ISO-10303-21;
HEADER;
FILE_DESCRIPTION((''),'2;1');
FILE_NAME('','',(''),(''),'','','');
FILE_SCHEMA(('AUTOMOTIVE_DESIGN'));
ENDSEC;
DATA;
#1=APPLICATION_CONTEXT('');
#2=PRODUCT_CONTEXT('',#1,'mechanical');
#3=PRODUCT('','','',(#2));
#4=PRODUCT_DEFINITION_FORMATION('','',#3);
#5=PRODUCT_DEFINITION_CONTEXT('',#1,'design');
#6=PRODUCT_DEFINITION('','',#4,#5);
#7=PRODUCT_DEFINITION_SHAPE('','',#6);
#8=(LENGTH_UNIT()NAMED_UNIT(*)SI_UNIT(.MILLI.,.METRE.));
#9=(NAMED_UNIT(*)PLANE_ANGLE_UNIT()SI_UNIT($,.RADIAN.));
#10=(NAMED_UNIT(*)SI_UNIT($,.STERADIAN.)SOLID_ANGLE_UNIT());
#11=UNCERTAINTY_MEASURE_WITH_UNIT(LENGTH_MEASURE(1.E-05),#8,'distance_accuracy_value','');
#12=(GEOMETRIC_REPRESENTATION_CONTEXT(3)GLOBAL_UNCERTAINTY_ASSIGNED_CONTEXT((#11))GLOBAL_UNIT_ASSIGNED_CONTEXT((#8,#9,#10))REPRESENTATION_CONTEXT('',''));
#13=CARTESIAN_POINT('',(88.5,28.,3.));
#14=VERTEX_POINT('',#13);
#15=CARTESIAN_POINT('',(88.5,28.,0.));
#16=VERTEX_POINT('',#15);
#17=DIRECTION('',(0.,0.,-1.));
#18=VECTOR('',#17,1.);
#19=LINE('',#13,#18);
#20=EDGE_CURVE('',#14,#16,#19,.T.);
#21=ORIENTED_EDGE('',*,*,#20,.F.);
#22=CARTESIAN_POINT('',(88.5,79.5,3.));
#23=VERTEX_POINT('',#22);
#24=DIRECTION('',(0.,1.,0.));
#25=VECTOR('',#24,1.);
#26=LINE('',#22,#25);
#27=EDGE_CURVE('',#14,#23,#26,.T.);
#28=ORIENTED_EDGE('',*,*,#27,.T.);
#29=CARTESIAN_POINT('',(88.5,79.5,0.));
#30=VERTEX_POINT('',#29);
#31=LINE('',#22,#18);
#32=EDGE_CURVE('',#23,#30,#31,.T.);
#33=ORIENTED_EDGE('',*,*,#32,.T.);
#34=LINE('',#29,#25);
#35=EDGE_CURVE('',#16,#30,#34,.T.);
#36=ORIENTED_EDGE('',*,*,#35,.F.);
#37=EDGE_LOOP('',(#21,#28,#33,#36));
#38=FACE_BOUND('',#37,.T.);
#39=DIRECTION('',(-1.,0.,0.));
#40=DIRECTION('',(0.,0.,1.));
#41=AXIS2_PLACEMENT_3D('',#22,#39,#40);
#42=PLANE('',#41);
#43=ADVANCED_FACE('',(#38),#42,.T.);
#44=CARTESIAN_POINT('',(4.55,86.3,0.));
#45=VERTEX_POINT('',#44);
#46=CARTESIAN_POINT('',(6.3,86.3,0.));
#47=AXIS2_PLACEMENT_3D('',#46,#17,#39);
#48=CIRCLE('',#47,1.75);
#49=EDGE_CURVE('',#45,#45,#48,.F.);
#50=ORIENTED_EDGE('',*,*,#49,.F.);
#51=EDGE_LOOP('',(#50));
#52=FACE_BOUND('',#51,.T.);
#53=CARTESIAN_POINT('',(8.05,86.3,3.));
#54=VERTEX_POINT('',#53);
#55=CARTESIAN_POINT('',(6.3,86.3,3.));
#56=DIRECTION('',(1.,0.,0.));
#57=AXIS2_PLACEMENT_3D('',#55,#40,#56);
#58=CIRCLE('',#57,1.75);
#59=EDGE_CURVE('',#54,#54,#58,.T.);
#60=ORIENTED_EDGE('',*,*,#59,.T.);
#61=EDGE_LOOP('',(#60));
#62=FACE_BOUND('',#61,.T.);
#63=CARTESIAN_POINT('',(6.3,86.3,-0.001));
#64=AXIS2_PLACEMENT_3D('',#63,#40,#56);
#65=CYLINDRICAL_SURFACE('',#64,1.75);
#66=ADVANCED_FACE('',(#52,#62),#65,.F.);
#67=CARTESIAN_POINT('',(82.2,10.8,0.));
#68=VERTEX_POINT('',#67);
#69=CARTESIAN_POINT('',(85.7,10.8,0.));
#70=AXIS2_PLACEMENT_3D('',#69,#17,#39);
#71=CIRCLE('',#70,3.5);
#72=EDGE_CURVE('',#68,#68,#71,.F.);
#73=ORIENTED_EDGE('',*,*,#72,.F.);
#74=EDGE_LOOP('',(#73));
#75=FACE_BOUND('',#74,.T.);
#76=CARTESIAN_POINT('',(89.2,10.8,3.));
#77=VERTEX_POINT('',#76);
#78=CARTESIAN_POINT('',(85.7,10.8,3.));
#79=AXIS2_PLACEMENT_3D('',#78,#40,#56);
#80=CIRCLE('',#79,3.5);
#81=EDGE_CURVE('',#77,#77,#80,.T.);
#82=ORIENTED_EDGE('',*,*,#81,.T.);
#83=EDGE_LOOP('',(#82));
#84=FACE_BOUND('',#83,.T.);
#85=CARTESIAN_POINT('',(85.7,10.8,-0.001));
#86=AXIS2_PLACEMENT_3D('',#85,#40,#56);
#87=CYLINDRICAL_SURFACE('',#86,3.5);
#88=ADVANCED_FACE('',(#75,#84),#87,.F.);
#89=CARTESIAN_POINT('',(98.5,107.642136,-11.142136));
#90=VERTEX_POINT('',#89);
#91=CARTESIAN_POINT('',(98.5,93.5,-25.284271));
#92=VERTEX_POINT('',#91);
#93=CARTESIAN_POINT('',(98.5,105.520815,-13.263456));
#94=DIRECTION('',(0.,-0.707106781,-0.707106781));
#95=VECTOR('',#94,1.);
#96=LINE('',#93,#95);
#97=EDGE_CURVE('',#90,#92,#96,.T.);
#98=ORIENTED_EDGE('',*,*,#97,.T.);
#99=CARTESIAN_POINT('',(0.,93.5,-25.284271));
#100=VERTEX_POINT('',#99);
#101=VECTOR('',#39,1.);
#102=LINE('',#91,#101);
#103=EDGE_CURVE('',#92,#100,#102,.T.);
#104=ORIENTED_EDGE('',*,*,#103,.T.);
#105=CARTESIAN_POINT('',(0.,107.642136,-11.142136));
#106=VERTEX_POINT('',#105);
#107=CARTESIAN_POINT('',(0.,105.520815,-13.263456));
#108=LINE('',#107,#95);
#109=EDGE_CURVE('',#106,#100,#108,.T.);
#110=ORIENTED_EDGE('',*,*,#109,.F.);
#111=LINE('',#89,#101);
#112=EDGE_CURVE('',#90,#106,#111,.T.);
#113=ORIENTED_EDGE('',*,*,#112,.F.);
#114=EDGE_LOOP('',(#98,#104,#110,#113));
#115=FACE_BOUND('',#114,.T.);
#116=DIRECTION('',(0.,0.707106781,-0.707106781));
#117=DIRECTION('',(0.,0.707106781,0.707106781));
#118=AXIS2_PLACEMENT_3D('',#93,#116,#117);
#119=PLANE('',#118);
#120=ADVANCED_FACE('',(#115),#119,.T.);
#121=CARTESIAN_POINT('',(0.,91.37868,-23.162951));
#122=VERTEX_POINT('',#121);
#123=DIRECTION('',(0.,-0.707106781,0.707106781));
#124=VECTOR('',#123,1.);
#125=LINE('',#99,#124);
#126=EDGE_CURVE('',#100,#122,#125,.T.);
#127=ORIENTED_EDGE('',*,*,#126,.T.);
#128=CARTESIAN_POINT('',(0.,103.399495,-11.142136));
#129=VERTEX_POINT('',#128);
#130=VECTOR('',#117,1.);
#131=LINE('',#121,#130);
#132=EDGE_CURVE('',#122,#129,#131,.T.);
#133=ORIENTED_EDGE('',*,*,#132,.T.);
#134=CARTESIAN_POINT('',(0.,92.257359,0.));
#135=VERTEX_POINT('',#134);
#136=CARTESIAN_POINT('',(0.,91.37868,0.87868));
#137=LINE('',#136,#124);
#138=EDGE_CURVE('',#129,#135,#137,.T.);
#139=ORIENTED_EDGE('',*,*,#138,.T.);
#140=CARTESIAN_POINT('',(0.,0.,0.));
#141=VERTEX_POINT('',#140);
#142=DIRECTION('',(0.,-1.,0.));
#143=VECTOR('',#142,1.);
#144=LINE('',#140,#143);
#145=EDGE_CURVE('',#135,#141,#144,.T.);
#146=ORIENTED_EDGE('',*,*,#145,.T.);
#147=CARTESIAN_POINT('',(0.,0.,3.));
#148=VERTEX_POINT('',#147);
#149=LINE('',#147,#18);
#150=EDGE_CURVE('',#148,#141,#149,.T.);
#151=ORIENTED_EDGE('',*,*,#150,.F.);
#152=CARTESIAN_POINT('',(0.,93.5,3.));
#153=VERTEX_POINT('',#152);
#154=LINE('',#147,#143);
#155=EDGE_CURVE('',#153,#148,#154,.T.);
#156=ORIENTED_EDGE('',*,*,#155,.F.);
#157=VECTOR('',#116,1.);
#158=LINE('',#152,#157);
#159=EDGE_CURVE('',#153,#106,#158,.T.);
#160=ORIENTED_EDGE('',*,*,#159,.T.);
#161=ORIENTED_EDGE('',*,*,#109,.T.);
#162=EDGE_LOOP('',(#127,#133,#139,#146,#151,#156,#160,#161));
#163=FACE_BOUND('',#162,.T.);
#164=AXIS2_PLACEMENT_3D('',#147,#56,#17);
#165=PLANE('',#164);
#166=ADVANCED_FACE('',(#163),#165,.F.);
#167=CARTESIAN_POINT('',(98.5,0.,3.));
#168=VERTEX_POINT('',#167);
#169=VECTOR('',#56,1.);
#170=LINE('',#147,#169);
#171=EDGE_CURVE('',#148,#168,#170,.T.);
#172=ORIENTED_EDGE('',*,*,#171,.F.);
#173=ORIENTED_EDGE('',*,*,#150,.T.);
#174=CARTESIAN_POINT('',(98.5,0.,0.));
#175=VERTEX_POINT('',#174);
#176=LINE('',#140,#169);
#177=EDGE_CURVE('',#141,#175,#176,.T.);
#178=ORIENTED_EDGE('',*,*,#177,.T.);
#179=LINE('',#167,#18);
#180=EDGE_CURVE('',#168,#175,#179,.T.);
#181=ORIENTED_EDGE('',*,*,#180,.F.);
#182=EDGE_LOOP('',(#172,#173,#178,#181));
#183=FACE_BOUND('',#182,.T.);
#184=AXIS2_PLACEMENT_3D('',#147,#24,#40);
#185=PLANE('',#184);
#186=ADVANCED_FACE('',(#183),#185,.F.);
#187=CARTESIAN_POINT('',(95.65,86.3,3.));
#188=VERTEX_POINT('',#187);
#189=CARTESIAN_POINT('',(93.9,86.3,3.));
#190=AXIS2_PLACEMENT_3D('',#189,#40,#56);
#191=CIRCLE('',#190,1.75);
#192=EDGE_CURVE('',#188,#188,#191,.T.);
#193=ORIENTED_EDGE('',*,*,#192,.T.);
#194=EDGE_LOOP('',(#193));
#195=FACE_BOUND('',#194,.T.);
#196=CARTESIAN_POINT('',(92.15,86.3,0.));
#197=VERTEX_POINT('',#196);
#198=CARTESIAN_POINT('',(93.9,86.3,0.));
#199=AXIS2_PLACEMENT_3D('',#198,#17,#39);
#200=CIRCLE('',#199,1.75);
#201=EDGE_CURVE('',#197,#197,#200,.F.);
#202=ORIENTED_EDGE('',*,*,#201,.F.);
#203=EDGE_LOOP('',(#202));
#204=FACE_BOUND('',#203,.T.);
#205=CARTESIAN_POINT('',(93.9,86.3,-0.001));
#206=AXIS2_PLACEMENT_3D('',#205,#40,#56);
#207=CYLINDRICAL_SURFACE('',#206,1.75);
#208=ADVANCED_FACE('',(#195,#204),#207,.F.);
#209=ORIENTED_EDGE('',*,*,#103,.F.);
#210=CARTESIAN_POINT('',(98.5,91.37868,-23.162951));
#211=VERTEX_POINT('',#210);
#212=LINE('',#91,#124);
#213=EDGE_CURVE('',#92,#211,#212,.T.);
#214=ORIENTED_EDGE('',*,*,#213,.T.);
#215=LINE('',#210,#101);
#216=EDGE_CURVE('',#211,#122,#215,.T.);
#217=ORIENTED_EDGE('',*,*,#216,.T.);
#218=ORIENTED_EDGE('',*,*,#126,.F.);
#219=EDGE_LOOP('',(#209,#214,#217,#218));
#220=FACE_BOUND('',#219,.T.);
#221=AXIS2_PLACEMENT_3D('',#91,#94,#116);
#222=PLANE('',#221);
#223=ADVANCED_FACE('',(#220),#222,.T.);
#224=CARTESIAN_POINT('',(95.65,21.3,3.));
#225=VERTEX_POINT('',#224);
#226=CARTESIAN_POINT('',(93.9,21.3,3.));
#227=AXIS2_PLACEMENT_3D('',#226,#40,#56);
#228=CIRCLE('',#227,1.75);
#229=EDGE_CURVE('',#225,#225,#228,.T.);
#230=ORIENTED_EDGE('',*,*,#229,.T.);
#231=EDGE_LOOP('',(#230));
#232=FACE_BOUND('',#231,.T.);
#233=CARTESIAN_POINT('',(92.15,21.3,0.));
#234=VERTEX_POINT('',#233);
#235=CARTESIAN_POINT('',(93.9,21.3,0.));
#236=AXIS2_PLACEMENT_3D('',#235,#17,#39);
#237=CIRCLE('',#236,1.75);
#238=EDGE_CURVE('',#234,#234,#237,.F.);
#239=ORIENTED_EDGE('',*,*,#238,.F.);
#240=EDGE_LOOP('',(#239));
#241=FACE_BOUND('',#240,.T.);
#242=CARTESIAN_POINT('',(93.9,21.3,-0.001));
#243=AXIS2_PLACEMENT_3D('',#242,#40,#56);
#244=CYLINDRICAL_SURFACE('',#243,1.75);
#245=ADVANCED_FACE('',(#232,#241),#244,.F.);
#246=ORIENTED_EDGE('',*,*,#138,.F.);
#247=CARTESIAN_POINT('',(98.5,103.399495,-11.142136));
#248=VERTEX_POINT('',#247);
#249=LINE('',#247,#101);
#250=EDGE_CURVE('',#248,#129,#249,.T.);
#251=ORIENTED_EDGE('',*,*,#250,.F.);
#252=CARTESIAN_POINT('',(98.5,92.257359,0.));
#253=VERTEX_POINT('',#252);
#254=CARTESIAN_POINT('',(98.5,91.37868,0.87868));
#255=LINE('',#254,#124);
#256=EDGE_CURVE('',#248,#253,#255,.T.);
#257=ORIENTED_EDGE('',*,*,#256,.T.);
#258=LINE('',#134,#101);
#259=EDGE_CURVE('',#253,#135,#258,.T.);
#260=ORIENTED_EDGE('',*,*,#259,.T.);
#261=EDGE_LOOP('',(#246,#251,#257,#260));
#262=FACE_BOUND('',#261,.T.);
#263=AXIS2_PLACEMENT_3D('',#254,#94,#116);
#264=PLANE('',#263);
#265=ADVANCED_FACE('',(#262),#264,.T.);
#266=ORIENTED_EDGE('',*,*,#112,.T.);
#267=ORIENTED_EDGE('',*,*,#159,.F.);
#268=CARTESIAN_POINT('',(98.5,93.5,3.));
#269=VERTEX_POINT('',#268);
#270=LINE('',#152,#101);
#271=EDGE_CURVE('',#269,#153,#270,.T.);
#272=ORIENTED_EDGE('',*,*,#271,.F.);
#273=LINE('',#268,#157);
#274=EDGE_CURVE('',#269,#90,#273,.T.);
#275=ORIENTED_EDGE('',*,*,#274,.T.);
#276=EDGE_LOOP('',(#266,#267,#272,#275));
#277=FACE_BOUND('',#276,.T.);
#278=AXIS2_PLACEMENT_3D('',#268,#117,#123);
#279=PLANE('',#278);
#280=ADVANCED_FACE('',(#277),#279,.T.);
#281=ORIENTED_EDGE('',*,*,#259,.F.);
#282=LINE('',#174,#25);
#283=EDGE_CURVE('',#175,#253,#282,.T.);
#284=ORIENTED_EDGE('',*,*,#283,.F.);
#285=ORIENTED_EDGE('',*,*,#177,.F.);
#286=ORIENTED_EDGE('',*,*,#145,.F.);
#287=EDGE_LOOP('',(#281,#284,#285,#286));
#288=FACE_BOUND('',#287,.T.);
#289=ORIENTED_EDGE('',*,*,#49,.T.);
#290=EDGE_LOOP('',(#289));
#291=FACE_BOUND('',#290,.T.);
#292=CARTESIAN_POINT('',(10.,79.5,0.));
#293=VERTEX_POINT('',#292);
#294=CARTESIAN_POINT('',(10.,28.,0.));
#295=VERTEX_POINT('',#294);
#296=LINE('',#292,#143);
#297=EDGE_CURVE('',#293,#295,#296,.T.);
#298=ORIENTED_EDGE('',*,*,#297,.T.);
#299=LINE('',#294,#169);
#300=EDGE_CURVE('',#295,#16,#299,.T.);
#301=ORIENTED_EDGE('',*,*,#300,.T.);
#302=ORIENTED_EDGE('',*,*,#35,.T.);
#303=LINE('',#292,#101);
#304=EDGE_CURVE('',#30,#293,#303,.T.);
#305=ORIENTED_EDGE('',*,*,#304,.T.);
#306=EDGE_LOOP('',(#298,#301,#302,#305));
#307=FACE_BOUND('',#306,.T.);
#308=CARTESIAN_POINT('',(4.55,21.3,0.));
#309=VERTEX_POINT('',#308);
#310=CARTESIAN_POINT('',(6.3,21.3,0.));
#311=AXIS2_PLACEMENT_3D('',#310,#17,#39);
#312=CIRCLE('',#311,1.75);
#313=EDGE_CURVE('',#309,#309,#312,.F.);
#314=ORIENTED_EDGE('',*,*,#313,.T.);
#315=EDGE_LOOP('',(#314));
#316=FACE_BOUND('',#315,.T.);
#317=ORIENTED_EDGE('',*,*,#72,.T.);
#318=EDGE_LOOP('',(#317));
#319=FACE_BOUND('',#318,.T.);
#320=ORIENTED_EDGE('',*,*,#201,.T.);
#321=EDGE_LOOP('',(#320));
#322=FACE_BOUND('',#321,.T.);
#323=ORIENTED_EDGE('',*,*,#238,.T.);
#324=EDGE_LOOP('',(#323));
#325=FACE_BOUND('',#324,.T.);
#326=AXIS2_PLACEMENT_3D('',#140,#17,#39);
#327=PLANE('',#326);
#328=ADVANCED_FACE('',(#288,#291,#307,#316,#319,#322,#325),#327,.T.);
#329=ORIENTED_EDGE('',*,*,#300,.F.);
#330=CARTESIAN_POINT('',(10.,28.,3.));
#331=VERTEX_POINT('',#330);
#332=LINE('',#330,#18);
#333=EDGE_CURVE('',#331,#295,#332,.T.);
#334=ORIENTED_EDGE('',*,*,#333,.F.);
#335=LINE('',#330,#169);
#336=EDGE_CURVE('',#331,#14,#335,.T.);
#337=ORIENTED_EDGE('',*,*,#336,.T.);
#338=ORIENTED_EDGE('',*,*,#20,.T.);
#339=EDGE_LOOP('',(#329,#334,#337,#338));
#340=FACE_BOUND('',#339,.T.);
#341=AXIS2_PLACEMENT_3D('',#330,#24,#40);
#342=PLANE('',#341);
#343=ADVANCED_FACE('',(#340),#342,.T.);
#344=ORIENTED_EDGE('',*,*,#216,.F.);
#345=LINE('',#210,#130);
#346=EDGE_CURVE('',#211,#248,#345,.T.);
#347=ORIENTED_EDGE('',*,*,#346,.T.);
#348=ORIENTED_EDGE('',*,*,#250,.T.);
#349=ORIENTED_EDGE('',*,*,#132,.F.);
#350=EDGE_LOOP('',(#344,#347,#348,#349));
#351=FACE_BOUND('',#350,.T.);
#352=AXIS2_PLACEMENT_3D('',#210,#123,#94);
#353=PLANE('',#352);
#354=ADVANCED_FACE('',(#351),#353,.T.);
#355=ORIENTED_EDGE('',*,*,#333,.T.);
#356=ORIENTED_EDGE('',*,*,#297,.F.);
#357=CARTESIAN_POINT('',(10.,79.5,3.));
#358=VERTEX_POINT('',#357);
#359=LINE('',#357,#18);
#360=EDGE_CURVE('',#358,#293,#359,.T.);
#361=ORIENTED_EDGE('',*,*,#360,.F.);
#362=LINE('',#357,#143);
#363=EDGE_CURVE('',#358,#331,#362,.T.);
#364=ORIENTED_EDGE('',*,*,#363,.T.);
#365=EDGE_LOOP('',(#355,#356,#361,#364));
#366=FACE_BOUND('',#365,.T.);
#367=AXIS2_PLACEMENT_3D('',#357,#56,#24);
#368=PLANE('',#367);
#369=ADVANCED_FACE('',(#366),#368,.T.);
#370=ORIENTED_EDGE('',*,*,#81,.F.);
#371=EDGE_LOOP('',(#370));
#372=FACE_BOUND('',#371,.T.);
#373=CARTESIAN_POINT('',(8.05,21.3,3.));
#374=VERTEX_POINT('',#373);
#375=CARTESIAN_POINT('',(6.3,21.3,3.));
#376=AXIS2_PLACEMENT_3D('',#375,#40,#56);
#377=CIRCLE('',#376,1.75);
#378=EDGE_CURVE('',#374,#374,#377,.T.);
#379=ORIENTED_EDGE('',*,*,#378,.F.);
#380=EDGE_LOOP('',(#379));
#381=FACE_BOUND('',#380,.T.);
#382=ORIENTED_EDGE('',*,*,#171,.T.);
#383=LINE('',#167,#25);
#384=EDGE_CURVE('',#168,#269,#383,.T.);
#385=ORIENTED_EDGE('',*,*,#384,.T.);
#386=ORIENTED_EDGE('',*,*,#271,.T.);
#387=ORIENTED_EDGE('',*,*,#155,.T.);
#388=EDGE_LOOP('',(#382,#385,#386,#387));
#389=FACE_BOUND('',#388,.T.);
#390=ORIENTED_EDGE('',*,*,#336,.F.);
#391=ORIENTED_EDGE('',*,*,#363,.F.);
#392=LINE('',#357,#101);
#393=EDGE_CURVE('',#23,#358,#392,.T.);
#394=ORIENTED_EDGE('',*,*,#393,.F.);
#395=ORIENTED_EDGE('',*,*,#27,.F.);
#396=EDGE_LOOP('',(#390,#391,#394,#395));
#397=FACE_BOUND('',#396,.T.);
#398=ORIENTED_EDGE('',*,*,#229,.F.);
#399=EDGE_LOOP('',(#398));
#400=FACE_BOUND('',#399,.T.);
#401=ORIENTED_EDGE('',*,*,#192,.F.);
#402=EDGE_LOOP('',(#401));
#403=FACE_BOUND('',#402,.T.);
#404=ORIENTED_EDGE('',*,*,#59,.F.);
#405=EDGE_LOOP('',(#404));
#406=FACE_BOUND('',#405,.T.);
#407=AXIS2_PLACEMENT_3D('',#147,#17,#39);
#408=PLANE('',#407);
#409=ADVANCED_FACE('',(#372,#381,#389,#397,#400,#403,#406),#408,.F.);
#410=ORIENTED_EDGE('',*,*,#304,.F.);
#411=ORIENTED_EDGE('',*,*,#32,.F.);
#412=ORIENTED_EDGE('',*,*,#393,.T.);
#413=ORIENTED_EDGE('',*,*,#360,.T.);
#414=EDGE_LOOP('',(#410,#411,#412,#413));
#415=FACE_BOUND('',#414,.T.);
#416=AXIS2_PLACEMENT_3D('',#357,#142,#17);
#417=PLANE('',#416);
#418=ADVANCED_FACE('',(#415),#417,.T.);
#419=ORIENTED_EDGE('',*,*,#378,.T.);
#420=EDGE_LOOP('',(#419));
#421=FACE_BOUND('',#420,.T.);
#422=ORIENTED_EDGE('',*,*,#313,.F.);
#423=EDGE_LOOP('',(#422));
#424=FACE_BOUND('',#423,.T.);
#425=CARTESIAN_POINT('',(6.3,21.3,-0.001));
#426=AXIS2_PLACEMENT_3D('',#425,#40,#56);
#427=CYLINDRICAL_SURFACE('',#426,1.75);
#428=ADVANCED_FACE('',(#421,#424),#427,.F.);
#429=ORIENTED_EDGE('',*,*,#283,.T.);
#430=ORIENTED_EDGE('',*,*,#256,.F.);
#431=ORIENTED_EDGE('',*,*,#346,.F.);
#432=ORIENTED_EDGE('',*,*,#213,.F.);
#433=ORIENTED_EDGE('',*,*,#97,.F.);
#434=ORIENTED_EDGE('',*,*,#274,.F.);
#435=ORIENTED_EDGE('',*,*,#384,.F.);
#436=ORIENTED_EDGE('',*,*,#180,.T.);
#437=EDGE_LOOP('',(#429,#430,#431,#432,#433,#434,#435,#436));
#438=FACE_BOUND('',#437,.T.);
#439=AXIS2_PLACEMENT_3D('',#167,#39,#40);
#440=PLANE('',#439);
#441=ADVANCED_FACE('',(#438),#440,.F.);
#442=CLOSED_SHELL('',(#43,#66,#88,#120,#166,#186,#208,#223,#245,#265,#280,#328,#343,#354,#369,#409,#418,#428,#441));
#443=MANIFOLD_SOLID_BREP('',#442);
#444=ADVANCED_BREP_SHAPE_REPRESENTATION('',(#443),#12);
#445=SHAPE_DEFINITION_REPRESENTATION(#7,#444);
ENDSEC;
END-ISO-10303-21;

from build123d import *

# Parameters (mm, degrees)
SKETCH1_W           = 98.5
SKETCH1_H           = 93.5
SKETCH1_W_2         = 78.5
SKETCH1_H_2         = 51.5
BOSS_EXTRUDE1_DEPTH = 3
CUT_EXTRUDE1_REACH  = 5
SKETCH2_R           = 3.5
SKETCH2_R_2         = 1.75
BOSS_EXTRUDE4_DEPTH = 98.5
BOSS_EXTRUDE5_DEPTH = 98.5


with BuildPart() as part:
    # Sketch1 → Boss-Extrude1 (new body)
    with BuildSketch(Plane.XY):
        with Locations((49.25, 46.75)):
            Rectangle(SKETCH1_W, SKETCH1_H)
        with Locations((49.25, 53.75)):
            Rectangle(SKETCH1_W_2, SKETCH1_H_2, mode=Mode.SUBTRACT)
    extrude(amount=BOSS_EXTRUDE1_DEPTH)

    # Sketch2 → Cut-Extrude1 (cut, up to next)
    with BuildSketch(Plane.XY.offset(3), mode=Mode.PRIVATE) as cut_extrude1_sk1:
        with Locations((85.7, 10.8)):
            Circle(SKETCH2_R)
    cut_extrude1_tool1 = extrude(cut_extrude1_sk1.sketch, amount=-CUT_EXTRUDE1_REACH, mode=Mode.PRIVATE) & part.part
    add(cut_extrude1_tool1.solids().sort_by_distance((85.7, 10.8, 3))[0], mode=Mode.SUBTRACT)
    # Sketch2 → Cut-Extrude1 (cut, up to next)
    with BuildSketch(Plane.XY.offset(3), mode=Mode.PRIVATE) as cut_extrude1_sk2:
        with Locations((93.9, 86.3)):
            Circle(SKETCH2_R_2)
    cut_extrude1_tool2 = extrude(cut_extrude1_sk2.sketch, amount=-CUT_EXTRUDE1_REACH, mode=Mode.PRIVATE) & part.part
    add(cut_extrude1_tool2.solids().sort_by_distance((93.9, 86.3, 3))[0], mode=Mode.SUBTRACT)
    # Sketch2 → Cut-Extrude1 (cut, up to next)
    with BuildSketch(Plane.XY.offset(3), mode=Mode.PRIVATE) as cut_extrude1_sk3:
        with Locations((93.9, 21.3)):
            Circle(SKETCH2_R_2)
    cut_extrude1_tool3 = extrude(cut_extrude1_sk3.sketch, amount=-CUT_EXTRUDE1_REACH, mode=Mode.PRIVATE) & part.part
    add(cut_extrude1_tool3.solids().sort_by_distance((93.9, 21.3, 3))[0], mode=Mode.SUBTRACT)
    # Sketch2 → Cut-Extrude1 (cut, up to next)
    with BuildSketch(Plane.XY.offset(3), mode=Mode.PRIVATE) as cut_extrude1_sk4:
        with Locations((6.3, 21.3)):
            Circle(SKETCH2_R_2)
    cut_extrude1_tool4 = extrude(cut_extrude1_sk4.sketch, amount=-CUT_EXTRUDE1_REACH, mode=Mode.PRIVATE) & part.part
    add(cut_extrude1_tool4.solids().sort_by_distance((6.3, 21.3, 3))[0], mode=Mode.SUBTRACT)
    # Sketch2 → Cut-Extrude1 (cut, up to next)
    with BuildSketch(Plane.XY.offset(3), mode=Mode.PRIVATE) as cut_extrude1_sk5:
        with Locations((6.3, 86.3)):
            Circle(SKETCH2_R_2)
    cut_extrude1_tool5 = extrude(cut_extrude1_sk5.sketch, amount=-CUT_EXTRUDE1_REACH, mode=Mode.PRIVATE) & part.part
    add(cut_extrude1_tool5.solids().sort_by_distance((6.3, 86.3, 3))[0], mode=Mode.SUBTRACT)

    # Sketch5 → Boss-Extrude4 (add)
    with BuildSketch(Plane.ZY):
        Polygon((3, 93.5), (-11.142135624, 107.642135624), (-13.263455967, 105.52081528), (0.878679656, 91.378679656), align=None)
    extrude(amount=-BOSS_EXTRUDE4_DEPTH)

    # Sketch6 → Boss-Extrude5 (add)
    with BuildSketch(Plane.ZY):
        Polygon((-11.142135624, 107.642135624), (-25.284271247, 93.5), (-23.162950904, 91.378679656), (-9.02081528, 105.52081528), align=None)
    extrude(amount=-BOSS_EXTRUDE5_DEPTH)


solid = part.part
